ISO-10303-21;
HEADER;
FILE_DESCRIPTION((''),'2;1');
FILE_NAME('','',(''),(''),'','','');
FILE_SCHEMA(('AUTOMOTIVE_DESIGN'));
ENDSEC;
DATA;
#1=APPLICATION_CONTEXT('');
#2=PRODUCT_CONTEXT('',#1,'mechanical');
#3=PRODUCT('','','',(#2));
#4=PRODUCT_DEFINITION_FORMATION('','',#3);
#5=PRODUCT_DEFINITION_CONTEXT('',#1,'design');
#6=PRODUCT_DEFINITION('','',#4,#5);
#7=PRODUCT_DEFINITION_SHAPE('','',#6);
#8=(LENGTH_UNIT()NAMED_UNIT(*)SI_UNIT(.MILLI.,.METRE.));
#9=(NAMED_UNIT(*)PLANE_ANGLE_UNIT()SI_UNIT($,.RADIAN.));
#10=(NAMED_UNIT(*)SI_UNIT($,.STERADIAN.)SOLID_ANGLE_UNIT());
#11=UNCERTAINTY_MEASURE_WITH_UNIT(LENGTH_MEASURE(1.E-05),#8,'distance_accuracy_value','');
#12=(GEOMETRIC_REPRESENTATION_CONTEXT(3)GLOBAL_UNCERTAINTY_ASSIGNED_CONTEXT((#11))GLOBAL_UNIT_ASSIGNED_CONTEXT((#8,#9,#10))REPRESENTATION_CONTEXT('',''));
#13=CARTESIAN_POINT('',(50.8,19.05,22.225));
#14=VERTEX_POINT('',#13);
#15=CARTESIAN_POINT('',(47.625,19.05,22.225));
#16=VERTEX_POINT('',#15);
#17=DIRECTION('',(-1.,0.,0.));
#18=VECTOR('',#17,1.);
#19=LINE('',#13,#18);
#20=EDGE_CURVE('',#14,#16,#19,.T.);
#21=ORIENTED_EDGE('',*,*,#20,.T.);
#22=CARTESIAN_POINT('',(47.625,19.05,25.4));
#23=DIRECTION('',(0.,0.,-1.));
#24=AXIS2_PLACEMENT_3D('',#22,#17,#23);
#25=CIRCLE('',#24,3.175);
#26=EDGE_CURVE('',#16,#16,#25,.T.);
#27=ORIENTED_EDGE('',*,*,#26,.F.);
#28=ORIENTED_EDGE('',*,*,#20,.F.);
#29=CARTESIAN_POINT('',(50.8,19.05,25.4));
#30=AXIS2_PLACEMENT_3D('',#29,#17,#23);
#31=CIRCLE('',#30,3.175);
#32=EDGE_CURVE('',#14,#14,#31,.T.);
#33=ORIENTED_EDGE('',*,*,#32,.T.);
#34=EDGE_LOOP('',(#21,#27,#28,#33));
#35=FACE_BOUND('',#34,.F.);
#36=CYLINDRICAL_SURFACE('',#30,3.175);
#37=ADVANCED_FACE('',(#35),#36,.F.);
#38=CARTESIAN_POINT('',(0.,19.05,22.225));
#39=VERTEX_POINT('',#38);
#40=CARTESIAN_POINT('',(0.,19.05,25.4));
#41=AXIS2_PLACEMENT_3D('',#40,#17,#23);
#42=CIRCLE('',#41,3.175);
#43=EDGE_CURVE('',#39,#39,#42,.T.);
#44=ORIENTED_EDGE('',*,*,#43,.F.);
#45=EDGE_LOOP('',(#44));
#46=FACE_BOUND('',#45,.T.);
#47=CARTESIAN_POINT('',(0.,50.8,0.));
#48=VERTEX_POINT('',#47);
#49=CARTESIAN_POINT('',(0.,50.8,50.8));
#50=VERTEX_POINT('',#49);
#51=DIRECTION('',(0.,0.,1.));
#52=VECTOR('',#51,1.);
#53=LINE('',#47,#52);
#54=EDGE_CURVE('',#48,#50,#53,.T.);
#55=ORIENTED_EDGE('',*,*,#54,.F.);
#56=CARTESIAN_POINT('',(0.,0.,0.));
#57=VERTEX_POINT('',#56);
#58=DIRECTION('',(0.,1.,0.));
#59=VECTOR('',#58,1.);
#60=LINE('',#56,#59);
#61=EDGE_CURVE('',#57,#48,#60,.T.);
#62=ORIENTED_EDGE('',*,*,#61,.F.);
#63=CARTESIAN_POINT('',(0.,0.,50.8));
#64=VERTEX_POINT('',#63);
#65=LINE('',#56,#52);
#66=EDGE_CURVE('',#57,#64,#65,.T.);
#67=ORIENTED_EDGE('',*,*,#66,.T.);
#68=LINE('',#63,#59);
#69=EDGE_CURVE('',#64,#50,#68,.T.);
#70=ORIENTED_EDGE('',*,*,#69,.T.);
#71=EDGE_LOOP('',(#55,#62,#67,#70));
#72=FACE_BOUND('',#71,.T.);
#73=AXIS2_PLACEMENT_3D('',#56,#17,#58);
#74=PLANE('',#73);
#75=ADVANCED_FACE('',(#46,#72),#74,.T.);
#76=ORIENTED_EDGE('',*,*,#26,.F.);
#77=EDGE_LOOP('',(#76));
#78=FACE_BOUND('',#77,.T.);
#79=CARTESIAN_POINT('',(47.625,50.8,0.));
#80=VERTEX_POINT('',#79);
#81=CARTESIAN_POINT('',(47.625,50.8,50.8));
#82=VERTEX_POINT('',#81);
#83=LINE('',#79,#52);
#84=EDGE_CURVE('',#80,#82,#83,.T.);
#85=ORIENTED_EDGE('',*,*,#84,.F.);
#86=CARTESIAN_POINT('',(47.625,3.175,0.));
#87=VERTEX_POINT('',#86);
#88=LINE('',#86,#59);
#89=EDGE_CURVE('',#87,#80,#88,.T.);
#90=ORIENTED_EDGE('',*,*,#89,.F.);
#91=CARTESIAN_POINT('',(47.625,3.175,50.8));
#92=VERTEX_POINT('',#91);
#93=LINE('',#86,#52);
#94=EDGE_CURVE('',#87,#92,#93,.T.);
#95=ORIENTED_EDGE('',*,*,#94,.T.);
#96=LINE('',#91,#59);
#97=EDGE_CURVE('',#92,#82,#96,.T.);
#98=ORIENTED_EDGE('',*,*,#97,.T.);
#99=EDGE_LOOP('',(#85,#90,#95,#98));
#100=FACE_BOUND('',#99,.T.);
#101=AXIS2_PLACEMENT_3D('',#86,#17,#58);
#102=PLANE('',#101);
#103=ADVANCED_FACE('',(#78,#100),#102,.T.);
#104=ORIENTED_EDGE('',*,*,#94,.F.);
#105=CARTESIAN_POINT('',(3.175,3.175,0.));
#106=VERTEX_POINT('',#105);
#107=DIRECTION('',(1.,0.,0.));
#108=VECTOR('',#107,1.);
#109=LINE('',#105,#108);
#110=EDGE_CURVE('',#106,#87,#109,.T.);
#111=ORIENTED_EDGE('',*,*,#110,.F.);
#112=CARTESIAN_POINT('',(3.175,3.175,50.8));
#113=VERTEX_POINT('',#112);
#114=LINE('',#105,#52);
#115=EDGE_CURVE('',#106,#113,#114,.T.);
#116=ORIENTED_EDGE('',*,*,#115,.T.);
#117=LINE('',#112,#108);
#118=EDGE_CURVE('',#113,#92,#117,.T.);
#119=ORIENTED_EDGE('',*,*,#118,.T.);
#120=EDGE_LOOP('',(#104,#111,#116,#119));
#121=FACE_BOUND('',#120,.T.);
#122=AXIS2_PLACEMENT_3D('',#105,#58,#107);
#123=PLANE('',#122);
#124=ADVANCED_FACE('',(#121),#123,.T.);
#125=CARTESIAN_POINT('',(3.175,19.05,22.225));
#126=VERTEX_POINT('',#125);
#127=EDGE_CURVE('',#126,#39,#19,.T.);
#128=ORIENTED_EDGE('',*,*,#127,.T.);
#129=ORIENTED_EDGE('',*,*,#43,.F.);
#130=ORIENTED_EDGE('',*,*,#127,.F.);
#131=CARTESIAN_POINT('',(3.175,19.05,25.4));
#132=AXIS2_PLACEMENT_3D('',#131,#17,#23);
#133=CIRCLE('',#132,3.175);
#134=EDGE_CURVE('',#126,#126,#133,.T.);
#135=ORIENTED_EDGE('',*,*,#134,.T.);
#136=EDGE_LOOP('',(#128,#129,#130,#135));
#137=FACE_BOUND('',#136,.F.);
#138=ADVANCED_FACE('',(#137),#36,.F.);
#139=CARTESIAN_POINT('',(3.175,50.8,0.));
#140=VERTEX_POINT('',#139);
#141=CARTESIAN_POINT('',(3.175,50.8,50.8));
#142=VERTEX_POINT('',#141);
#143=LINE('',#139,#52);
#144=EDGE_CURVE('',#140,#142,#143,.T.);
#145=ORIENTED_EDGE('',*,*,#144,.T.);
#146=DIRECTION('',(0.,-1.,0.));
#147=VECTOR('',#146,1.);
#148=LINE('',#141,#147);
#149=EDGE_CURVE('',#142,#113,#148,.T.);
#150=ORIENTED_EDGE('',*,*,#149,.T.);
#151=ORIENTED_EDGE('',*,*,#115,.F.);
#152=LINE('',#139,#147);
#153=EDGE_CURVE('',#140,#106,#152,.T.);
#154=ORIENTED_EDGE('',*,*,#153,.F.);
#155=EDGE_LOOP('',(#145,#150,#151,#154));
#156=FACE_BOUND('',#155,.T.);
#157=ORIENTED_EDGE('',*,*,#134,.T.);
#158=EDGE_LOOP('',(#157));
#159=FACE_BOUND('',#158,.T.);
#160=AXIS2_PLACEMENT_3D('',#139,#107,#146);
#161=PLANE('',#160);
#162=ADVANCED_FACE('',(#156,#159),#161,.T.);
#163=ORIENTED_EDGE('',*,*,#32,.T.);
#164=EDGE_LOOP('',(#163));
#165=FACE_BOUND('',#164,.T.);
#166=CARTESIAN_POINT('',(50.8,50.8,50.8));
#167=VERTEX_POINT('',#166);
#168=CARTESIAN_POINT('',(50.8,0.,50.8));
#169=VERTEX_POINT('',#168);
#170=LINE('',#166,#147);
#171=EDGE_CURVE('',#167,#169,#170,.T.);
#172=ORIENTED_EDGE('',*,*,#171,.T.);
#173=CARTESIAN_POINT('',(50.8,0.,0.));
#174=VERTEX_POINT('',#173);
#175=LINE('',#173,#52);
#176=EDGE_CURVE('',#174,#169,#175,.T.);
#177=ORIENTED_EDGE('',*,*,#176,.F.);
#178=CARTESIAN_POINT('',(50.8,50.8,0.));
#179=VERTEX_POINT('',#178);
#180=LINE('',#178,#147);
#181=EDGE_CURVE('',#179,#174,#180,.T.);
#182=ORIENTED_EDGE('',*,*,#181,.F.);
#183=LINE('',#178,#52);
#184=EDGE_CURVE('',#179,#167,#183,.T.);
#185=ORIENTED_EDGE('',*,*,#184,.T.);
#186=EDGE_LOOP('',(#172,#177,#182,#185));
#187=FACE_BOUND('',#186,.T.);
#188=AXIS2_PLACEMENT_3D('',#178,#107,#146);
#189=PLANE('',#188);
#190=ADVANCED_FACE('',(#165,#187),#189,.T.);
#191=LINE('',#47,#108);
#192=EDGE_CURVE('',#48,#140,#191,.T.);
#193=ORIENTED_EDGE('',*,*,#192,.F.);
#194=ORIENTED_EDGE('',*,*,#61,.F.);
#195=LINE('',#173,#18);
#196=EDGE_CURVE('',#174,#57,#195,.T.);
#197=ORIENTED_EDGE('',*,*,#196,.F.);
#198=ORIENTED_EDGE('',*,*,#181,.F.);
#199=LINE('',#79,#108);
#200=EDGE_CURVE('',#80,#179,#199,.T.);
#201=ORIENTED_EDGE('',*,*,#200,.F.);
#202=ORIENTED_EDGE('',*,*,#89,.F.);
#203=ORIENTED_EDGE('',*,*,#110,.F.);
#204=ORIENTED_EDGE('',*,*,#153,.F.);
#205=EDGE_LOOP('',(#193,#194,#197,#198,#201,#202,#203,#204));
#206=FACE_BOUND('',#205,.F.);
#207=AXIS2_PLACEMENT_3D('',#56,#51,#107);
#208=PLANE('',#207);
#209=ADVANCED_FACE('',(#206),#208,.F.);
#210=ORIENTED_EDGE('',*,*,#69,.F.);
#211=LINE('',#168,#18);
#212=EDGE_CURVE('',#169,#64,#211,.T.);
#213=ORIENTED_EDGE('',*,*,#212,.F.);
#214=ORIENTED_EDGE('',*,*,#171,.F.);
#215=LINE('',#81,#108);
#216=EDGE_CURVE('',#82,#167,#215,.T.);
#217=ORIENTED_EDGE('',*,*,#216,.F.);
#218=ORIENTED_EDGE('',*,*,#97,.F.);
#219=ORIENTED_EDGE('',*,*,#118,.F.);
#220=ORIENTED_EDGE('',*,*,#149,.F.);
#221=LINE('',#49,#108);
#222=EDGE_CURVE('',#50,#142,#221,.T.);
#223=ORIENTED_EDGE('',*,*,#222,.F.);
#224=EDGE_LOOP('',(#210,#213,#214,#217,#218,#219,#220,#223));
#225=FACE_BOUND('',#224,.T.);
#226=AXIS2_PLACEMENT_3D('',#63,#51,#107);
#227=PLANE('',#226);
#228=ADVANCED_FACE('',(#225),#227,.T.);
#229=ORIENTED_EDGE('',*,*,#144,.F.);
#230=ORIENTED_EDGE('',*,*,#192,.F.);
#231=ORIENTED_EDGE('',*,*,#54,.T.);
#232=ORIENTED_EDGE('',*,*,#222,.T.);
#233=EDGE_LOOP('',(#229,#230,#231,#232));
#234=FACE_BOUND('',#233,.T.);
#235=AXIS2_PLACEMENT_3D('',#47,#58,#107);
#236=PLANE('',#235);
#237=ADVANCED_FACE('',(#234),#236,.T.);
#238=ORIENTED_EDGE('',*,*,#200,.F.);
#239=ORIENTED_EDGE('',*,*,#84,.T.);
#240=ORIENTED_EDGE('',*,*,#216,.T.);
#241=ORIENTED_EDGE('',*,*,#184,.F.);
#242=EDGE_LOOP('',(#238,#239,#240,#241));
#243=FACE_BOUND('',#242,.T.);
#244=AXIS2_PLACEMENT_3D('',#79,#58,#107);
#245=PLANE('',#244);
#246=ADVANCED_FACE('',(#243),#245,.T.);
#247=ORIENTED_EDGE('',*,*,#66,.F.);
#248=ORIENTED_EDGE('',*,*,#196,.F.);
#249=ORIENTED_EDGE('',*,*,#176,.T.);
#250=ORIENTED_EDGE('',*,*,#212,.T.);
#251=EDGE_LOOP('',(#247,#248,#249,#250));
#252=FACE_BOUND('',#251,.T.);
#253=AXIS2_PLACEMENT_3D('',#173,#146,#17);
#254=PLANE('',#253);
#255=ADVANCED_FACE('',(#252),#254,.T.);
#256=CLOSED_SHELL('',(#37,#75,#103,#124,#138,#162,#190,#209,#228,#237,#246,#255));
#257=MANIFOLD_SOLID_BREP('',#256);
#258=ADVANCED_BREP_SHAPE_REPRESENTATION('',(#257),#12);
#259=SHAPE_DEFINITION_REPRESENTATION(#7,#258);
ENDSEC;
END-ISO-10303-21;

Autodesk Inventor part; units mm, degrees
ref_plane "YZ Plane" through (0, 0, 0) normal (1, 0, 0) x (0, 1, 0)
ref_plane "XZ Plane" through (0, 0, 0) normal (0, 1, 0) x (-1, 0, 0)
ref_plane "XY Plane" through (0, 0, 0) normal (0, 0, 1) x (1, 0, 0)
sketch "Sketch1" plane through (0, 0, 0) normal (0, 0, 1) x (1, 0, 0)
  line L0 (0, 0) -> (0, 50.8)
  line L1 (0, 50.8) -> (3.175, 50.8)
  line L2 (3.175, 50.8) -> (3.175, 3.175)
  line L3 (3.175, 3.175) -> (47.625, 3.175)
  line L4 (47.625, 3.175) -> (47.625, 50.8)
  line L5 (47.625, 50.8) -> (50.8, 50.8)
  line L6 (50.8, 50.8) -> (50.8, 0)
  line L7 (50.8, 0) -> (0, 0)
  dimension "d0" = 50.8
  dimension "d2" = 3.175
  dimension "d3" = 3.175
  dimension "d4" = 50.8
  dimension "d5" = 3.175
extrude "Extrusion1" add sketch "Sketch1" along normal blind 50.8
sketch "Sketch2" plane through (50.8, 0, 0) normal (1, 0, 0) x (0, 0, -1)
  line L0 (0, 50.8) -> (0, 0) projected
  line L1 (0, 50.8) -> (-50.8, 50.8) projected
  line L2 (-50.8, 0) -> (-50.8, 50.8) projected
  line L3 (0, 0) -> (-50.8, 0) projected
  point P0 (0, 0)
  point P1 (-25.4, 19.05)
  dimension "d8" = 25.4
  dimension "d9" = 25.4
  dimension "d11" = 19.05
hole "Hole1" at (50.8, 19.05, 25.4) direction (-1, 0, 0) diameter 6.35 end through all
equation "\"d3\" = d2"
equation "\"d5\" = d2"
equation "\"d8\" = d9"
properties part number "ScissorLIftBracketInside"
